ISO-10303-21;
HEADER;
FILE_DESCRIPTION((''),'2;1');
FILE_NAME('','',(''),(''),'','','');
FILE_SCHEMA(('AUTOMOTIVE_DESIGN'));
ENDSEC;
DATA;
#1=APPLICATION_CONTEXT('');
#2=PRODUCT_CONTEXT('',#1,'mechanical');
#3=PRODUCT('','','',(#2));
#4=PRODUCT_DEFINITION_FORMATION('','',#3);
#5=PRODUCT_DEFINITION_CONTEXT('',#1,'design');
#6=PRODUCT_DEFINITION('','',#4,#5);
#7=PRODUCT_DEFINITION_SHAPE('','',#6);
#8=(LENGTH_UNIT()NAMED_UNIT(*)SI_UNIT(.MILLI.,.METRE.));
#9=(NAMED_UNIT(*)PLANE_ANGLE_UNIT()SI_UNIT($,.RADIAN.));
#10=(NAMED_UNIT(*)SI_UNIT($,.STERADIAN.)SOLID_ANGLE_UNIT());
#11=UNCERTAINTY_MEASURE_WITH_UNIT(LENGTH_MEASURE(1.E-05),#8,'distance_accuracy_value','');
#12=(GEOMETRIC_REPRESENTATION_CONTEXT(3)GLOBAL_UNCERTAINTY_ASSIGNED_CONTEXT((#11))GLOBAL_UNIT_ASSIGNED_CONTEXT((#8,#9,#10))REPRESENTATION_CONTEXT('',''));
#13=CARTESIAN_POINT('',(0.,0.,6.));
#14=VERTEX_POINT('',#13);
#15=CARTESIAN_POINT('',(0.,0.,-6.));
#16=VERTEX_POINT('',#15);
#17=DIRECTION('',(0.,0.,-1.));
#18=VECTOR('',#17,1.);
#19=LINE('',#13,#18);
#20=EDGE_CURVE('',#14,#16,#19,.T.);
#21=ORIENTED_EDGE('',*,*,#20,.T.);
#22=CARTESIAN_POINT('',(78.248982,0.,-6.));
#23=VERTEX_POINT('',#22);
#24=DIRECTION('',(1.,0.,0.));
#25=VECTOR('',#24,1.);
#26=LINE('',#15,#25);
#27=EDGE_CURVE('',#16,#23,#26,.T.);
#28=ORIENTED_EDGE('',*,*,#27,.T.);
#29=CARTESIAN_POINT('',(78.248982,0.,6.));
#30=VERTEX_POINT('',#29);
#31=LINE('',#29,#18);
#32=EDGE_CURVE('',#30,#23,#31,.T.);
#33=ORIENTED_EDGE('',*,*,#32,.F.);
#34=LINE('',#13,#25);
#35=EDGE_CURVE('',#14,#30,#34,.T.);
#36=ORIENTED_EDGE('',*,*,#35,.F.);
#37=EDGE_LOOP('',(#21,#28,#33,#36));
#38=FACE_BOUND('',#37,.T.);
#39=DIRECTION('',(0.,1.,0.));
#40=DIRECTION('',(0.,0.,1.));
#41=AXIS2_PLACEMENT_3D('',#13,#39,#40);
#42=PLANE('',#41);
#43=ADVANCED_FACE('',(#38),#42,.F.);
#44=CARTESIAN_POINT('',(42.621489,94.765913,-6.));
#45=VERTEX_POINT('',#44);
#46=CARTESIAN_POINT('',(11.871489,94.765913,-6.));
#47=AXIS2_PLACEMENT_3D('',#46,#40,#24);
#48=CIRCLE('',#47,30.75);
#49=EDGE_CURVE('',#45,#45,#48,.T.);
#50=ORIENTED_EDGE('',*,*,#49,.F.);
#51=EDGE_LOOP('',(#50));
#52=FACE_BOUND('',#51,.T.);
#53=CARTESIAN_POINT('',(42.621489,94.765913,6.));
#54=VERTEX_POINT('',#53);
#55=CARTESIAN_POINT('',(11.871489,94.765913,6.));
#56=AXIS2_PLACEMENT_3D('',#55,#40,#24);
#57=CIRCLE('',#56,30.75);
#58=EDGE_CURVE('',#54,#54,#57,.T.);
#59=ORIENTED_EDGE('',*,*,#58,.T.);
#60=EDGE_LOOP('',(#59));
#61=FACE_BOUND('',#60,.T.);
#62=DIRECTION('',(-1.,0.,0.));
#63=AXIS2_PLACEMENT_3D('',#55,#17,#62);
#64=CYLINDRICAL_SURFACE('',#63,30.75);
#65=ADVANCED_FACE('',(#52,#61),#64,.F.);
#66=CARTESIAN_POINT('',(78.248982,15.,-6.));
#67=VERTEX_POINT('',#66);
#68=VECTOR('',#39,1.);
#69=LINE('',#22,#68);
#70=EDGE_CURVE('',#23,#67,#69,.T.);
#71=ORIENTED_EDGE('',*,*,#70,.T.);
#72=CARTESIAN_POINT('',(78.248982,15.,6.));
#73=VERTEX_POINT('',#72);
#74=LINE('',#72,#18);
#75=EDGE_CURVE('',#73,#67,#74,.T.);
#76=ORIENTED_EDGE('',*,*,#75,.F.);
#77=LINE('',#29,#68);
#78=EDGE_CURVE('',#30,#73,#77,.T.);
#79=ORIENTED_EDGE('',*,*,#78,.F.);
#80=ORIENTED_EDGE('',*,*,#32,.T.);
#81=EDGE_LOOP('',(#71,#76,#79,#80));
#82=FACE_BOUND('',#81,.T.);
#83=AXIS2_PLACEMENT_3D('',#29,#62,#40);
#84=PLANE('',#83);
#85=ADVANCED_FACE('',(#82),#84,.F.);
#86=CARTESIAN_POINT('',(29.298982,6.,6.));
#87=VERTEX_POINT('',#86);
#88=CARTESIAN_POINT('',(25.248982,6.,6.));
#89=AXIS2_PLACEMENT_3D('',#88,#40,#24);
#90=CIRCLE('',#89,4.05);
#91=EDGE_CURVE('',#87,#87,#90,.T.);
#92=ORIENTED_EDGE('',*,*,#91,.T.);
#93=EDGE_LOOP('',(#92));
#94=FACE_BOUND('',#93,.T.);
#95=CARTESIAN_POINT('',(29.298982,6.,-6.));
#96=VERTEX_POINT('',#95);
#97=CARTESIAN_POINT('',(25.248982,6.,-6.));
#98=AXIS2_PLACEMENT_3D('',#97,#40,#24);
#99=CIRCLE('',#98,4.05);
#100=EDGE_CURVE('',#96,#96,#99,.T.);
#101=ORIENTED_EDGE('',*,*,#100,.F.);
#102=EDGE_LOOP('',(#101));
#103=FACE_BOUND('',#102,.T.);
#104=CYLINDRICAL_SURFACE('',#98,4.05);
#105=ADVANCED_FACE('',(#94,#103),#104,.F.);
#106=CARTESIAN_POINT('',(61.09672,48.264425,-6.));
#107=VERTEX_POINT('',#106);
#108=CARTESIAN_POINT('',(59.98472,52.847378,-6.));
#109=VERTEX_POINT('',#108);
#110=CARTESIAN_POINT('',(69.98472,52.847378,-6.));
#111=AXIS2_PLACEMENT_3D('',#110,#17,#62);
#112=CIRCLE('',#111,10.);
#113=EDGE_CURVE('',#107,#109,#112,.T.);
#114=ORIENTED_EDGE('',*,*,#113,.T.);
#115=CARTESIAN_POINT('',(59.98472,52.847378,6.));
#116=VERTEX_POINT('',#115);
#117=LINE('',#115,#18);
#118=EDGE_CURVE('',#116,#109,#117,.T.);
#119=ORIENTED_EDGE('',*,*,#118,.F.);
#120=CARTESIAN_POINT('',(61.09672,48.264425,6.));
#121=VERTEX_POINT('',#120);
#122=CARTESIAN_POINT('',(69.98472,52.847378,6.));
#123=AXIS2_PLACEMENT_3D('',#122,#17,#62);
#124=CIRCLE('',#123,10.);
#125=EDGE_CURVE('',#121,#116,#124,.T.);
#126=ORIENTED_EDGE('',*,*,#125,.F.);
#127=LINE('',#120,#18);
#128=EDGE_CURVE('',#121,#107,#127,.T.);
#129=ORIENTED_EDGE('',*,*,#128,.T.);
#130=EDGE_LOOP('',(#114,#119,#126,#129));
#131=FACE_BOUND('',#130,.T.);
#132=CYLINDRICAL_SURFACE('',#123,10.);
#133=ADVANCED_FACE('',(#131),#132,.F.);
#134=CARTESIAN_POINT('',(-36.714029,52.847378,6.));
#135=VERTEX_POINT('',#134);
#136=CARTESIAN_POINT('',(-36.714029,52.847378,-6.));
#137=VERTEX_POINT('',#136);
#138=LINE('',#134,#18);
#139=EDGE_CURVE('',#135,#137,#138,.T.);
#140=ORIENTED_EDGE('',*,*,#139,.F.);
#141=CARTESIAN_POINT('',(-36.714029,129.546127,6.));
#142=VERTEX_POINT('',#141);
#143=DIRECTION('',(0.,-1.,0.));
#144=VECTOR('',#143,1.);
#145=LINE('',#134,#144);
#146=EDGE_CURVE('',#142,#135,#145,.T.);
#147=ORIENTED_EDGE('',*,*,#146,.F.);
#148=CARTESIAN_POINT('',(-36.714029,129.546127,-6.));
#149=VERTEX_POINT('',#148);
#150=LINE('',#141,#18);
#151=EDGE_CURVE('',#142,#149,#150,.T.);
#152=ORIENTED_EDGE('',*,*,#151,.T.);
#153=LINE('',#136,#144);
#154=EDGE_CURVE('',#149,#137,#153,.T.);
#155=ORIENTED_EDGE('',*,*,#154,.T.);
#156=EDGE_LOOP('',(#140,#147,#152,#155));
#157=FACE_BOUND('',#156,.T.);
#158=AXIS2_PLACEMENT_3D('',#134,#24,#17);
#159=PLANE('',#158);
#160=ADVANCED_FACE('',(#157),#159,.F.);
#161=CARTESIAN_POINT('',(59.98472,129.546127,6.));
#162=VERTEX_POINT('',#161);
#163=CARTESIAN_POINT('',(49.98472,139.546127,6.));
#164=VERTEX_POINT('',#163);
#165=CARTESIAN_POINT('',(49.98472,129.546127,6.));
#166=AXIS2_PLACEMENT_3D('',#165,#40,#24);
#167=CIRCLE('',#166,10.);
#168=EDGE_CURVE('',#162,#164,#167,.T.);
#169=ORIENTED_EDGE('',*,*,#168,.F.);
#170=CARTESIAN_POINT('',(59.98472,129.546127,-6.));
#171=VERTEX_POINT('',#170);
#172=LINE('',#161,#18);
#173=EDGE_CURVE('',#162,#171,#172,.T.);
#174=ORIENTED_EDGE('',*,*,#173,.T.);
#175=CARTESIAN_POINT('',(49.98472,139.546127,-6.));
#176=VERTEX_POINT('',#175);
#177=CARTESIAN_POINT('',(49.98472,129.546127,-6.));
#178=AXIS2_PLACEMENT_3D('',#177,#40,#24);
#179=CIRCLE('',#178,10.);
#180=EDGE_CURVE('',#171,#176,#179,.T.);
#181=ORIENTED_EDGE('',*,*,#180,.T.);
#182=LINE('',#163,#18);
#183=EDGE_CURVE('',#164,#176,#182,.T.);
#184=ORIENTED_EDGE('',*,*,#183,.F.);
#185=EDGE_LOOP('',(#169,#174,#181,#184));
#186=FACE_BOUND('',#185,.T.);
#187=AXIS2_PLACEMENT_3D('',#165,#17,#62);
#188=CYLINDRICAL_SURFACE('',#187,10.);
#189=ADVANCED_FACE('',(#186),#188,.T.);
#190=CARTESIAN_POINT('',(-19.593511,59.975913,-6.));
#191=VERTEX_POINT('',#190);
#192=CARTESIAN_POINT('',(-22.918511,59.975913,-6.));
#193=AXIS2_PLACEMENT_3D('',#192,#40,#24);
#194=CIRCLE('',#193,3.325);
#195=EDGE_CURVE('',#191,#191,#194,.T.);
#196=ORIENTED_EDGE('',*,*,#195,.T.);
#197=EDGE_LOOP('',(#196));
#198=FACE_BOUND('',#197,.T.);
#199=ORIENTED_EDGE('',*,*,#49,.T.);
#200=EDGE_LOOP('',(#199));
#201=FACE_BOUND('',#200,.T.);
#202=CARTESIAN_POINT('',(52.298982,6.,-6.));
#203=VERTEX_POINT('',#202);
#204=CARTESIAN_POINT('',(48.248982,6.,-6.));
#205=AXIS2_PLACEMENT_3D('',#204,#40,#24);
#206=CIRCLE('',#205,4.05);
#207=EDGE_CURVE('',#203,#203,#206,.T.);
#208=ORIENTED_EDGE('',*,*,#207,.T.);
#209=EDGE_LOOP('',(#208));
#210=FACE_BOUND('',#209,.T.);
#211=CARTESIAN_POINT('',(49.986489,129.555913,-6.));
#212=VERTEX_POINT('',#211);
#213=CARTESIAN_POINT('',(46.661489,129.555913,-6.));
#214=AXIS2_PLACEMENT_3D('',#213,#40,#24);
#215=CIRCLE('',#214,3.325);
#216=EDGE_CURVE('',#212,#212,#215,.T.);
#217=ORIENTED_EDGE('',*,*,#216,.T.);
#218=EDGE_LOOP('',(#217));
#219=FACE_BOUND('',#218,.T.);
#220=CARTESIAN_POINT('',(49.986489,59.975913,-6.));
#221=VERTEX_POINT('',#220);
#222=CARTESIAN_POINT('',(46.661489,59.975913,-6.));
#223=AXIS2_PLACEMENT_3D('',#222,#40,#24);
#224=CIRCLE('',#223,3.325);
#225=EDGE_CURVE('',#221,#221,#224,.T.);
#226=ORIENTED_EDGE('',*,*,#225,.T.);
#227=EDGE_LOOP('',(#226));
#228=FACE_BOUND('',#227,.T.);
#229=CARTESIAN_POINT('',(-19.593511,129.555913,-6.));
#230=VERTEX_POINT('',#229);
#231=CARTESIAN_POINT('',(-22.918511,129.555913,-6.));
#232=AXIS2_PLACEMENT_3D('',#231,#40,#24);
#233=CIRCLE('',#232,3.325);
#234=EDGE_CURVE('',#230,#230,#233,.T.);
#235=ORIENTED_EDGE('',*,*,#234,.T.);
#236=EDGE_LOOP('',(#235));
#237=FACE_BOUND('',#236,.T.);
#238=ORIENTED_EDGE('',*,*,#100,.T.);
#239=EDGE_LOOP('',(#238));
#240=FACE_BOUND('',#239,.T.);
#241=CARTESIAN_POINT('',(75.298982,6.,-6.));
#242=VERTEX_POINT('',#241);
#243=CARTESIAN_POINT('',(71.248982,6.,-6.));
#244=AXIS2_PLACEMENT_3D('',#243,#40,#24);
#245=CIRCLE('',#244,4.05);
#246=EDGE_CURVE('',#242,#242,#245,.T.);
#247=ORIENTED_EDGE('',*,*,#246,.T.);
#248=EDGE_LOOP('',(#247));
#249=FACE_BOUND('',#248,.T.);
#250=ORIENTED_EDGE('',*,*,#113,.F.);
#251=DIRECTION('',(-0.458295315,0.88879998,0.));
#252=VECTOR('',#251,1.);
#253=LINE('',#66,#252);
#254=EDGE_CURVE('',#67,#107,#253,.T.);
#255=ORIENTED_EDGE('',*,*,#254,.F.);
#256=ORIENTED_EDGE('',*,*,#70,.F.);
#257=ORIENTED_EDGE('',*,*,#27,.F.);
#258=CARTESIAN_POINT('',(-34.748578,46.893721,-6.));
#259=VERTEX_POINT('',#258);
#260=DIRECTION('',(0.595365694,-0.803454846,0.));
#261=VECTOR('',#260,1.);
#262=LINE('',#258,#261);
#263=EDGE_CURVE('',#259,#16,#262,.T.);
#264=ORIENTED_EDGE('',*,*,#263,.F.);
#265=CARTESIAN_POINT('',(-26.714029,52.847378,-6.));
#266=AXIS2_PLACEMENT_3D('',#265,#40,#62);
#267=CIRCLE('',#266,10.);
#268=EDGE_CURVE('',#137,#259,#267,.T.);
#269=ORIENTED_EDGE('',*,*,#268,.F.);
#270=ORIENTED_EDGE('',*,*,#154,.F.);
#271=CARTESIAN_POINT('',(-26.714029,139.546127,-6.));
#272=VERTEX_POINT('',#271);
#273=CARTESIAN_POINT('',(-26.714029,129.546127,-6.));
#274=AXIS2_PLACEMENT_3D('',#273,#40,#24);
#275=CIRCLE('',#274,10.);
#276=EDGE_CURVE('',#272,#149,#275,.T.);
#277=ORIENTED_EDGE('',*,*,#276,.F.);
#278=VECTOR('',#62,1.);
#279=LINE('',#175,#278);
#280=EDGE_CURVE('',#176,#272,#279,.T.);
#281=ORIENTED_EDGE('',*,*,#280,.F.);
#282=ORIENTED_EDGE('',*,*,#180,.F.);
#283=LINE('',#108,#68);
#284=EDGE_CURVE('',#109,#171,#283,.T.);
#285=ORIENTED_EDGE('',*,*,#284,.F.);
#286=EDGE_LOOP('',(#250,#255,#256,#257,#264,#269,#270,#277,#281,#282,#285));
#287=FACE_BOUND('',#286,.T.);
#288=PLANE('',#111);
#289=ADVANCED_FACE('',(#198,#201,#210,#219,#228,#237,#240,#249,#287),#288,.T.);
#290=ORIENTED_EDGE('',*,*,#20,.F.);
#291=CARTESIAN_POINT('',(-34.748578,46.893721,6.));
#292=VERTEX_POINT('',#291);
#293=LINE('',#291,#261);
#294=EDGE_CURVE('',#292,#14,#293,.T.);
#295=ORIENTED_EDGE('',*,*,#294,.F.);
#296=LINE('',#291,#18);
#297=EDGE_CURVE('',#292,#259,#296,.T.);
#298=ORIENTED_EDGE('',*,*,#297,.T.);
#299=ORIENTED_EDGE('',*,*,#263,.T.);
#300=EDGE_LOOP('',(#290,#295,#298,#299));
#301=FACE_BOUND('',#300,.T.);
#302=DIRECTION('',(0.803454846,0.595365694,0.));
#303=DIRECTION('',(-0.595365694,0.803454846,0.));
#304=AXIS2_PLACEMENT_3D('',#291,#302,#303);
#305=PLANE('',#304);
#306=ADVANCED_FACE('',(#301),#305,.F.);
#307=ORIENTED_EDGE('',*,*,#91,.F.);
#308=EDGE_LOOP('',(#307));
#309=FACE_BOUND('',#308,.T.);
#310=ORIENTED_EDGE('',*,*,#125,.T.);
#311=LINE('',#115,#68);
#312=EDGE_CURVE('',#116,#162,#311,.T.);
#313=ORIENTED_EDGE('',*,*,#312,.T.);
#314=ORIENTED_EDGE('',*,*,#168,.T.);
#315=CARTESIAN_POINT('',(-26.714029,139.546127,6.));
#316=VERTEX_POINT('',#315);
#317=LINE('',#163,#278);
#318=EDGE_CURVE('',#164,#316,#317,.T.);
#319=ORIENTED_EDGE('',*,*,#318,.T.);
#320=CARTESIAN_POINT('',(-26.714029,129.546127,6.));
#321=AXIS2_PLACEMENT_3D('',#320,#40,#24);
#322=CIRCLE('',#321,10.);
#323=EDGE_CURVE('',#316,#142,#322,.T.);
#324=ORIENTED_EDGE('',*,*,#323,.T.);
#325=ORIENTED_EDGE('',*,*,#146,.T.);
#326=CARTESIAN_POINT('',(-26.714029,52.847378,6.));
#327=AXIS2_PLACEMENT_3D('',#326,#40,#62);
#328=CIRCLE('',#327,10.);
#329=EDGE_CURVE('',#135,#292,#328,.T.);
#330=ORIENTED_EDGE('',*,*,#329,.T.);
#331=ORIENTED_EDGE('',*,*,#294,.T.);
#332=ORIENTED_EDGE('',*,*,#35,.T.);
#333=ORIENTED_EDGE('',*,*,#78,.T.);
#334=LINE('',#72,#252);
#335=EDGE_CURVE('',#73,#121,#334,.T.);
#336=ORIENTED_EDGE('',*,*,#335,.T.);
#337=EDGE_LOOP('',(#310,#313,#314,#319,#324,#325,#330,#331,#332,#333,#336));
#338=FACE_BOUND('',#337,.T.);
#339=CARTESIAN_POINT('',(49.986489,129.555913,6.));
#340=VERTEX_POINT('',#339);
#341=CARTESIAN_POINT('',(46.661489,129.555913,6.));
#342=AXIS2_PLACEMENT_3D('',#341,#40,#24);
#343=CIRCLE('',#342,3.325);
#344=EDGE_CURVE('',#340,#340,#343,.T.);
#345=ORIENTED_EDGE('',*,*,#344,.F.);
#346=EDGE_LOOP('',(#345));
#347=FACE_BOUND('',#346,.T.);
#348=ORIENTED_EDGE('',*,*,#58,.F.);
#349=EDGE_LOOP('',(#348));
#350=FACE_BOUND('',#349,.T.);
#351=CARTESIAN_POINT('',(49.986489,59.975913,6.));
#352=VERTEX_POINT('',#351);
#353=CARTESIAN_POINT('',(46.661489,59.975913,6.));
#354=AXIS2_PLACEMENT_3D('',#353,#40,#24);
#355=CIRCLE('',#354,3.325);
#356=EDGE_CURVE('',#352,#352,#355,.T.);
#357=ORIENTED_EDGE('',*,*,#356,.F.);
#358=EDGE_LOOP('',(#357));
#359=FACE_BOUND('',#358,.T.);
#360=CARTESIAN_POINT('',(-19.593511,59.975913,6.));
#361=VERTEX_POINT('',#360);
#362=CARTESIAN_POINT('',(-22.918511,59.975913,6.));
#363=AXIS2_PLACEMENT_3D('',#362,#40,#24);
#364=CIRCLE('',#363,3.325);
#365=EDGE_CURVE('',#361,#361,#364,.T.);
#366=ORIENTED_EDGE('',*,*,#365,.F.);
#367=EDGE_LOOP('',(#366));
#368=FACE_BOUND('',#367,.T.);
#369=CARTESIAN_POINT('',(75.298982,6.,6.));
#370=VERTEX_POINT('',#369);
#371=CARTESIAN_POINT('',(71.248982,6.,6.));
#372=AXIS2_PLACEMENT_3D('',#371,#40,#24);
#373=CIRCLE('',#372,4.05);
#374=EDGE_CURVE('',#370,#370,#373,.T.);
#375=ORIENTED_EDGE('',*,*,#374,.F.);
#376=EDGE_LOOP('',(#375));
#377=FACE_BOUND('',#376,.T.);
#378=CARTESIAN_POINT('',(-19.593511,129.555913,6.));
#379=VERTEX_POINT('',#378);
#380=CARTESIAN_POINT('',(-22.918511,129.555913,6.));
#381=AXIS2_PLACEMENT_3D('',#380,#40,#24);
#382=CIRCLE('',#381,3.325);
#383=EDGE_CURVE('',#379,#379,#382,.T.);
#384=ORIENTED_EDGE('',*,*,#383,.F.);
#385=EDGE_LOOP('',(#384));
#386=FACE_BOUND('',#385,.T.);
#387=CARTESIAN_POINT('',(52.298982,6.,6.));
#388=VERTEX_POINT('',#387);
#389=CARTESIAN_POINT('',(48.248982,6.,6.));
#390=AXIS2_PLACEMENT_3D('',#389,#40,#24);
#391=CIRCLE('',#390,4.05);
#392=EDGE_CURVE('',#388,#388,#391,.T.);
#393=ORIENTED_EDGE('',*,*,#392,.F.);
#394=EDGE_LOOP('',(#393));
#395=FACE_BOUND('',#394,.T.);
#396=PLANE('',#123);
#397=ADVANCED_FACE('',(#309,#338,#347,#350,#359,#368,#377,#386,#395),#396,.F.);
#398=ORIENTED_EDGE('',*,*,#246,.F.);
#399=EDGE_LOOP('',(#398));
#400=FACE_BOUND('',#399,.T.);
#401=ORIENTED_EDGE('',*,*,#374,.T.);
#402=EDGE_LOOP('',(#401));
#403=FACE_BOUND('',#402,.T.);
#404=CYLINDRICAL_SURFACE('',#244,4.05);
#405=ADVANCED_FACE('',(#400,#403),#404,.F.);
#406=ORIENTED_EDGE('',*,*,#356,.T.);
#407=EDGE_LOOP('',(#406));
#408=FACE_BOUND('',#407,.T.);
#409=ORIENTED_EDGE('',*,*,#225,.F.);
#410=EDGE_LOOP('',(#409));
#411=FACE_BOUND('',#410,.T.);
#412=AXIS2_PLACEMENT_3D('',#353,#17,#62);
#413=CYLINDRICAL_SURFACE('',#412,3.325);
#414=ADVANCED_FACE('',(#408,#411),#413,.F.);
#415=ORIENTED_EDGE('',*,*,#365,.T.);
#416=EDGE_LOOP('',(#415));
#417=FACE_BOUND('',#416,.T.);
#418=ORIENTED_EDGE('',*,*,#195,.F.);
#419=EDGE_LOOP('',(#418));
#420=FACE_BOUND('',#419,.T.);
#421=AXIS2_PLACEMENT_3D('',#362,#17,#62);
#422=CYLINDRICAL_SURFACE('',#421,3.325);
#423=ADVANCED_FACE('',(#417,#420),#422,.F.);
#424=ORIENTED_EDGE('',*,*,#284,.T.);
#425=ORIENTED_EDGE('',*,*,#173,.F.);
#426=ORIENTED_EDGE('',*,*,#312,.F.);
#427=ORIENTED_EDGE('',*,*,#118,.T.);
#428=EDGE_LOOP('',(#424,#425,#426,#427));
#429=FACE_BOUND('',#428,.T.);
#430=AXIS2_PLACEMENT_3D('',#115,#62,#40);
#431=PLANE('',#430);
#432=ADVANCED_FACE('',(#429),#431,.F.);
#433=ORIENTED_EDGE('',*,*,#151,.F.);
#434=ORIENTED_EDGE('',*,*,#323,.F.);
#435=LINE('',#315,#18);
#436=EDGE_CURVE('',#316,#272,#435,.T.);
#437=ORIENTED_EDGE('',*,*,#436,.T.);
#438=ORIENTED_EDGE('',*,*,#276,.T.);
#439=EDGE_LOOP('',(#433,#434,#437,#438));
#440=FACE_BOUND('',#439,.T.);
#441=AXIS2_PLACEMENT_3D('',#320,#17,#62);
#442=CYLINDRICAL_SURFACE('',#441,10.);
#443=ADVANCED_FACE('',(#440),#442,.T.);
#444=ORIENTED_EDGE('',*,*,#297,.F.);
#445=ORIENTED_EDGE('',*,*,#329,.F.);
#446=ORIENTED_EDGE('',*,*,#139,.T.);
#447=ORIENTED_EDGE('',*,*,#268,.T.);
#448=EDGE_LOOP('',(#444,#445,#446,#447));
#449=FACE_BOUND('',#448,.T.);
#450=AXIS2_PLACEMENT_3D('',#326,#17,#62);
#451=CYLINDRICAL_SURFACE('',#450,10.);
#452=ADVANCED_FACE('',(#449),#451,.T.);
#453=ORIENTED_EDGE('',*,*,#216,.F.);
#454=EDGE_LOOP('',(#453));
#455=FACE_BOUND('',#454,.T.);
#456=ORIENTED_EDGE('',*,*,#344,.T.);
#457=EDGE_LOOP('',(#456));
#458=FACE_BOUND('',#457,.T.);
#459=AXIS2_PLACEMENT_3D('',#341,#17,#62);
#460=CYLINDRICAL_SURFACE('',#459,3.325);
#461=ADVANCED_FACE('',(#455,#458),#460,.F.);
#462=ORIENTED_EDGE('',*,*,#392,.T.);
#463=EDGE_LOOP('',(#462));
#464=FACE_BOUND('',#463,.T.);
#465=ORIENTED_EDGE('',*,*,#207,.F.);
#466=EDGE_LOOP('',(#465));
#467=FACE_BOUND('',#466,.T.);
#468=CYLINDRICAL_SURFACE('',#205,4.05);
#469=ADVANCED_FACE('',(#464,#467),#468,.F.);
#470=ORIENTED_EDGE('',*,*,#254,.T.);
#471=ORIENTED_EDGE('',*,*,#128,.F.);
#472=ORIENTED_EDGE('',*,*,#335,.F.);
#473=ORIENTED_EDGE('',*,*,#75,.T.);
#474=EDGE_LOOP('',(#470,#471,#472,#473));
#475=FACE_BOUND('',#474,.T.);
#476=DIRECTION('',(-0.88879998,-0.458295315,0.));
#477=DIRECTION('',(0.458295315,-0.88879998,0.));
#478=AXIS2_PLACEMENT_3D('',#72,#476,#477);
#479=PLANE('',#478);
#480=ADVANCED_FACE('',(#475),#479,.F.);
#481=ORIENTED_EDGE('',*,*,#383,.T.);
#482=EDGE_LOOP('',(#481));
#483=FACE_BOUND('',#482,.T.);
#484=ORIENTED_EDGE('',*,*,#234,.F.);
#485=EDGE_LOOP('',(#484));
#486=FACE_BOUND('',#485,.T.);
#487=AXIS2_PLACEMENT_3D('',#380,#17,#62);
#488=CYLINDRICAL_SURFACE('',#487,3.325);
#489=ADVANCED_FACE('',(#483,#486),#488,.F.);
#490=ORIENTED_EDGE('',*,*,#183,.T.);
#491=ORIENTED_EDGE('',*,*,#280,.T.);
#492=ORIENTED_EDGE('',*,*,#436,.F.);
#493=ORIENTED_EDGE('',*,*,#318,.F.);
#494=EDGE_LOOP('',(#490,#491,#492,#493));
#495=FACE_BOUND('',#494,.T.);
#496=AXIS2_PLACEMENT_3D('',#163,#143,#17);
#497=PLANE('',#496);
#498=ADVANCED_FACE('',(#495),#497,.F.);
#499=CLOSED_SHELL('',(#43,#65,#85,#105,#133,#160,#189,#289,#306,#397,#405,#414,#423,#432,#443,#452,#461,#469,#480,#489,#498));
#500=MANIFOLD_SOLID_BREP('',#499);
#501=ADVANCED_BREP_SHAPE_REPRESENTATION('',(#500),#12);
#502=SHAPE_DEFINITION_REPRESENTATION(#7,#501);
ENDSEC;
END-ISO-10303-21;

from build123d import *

# Parameters (mm, degrees)
SKETCH1_R           = 30.75
SKETCH1_R_2         = 3.325
BOSS_EXTRUDE1_DEPTH = 6
SKETCH2_R           = 4.05
CUT_EXTRUDE1_DEPTH  = 161.436981194
LPATTERN1_COUNT     = 3
LPATTERN1_PITCH     = 23


with BuildPart() as part:
    # Sketch1 → Boss-Extrude1 (new, symmetric)
    with BuildSketch(Plane.XY):
        with BuildLine():
            Line((-34.748577527, 46.893721429), (0, 0))
            Line((0, 0), (78.24898238, 0))
            Line((78.24898238, 0), (78.24898238, 15))
            Line((78.24898238, 15), (61.096720235, 48.264425218))
            ThreePointArc((61.096720235, 48.264425218), (60.266695593, 50.489412932), (59.984720032, 52.847378372))
            Line((59.984720032, 52.847378372), (59.984720032, 129.546127467))
            ThreePointArc((59.984720032, 129.546127467), (57.055787843, 136.617195279), (49.984720032, 139.546127467))
            Line((49.984720032, 139.546127467), (-26.714029064, 139.546127467))
            ThreePointArc((-26.714029064, 139.546127467), (-33.785096876, 136.617195279), (-36.714029064, 129.546127467))
            Line((-36.714029064, 129.546127467), (-36.714029064, 52.847378372))
            ThreePointArc((-36.714029064, 52.847378372), (-36.209961999, 49.712532653), (-34.748577527, 46.893721429))
        make_face()
        with Locations((11.87148929, 94.76591255)):
            Circle(SKETCH1_R, mode=Mode.SUBTRACT)
        with Locations((46.66148929, 129.55591255)):
            Circle(SKETCH1_R_2, mode=Mode.SUBTRACT)
        with Locations((46.66148929, 59.97591255)):
            Circle(SKETCH1_R_2, mode=Mode.SUBTRACT)
        with Locations((-22.91851071, 59.97591255)):
            Circle(SKETCH1_R_2, mode=Mode.SUBTRACT)
        with Locations((-22.91851071, 129.55591255)):
            Circle(SKETCH1_R_2, mode=Mode.SUBTRACT)
    extrude(amount=BOSS_EXTRUDE1_DEPTH, both=True)

    # Sketch2 → Cut-Extrude1 (cut, through all)
    with BuildSketch(Plane.XY.offset(6)):
        with Locations((71.24898238, 6)):
            Circle(SKETCH2_R)
    cut_extrude1 = extrude(amount=-CUT_EXTRUDE1_DEPTH, mode=Mode.SUBTRACT)

    # LPattern1: Cut-Extrude1 ×3
    with Locations(*[(-i * LPATTERN1_PITCH, 0, 0) for i in range(1, LPATTERN1_COUNT)]):
        add(cut_extrude1, mode=Mode.SUBTRACT)


solid = part.part
